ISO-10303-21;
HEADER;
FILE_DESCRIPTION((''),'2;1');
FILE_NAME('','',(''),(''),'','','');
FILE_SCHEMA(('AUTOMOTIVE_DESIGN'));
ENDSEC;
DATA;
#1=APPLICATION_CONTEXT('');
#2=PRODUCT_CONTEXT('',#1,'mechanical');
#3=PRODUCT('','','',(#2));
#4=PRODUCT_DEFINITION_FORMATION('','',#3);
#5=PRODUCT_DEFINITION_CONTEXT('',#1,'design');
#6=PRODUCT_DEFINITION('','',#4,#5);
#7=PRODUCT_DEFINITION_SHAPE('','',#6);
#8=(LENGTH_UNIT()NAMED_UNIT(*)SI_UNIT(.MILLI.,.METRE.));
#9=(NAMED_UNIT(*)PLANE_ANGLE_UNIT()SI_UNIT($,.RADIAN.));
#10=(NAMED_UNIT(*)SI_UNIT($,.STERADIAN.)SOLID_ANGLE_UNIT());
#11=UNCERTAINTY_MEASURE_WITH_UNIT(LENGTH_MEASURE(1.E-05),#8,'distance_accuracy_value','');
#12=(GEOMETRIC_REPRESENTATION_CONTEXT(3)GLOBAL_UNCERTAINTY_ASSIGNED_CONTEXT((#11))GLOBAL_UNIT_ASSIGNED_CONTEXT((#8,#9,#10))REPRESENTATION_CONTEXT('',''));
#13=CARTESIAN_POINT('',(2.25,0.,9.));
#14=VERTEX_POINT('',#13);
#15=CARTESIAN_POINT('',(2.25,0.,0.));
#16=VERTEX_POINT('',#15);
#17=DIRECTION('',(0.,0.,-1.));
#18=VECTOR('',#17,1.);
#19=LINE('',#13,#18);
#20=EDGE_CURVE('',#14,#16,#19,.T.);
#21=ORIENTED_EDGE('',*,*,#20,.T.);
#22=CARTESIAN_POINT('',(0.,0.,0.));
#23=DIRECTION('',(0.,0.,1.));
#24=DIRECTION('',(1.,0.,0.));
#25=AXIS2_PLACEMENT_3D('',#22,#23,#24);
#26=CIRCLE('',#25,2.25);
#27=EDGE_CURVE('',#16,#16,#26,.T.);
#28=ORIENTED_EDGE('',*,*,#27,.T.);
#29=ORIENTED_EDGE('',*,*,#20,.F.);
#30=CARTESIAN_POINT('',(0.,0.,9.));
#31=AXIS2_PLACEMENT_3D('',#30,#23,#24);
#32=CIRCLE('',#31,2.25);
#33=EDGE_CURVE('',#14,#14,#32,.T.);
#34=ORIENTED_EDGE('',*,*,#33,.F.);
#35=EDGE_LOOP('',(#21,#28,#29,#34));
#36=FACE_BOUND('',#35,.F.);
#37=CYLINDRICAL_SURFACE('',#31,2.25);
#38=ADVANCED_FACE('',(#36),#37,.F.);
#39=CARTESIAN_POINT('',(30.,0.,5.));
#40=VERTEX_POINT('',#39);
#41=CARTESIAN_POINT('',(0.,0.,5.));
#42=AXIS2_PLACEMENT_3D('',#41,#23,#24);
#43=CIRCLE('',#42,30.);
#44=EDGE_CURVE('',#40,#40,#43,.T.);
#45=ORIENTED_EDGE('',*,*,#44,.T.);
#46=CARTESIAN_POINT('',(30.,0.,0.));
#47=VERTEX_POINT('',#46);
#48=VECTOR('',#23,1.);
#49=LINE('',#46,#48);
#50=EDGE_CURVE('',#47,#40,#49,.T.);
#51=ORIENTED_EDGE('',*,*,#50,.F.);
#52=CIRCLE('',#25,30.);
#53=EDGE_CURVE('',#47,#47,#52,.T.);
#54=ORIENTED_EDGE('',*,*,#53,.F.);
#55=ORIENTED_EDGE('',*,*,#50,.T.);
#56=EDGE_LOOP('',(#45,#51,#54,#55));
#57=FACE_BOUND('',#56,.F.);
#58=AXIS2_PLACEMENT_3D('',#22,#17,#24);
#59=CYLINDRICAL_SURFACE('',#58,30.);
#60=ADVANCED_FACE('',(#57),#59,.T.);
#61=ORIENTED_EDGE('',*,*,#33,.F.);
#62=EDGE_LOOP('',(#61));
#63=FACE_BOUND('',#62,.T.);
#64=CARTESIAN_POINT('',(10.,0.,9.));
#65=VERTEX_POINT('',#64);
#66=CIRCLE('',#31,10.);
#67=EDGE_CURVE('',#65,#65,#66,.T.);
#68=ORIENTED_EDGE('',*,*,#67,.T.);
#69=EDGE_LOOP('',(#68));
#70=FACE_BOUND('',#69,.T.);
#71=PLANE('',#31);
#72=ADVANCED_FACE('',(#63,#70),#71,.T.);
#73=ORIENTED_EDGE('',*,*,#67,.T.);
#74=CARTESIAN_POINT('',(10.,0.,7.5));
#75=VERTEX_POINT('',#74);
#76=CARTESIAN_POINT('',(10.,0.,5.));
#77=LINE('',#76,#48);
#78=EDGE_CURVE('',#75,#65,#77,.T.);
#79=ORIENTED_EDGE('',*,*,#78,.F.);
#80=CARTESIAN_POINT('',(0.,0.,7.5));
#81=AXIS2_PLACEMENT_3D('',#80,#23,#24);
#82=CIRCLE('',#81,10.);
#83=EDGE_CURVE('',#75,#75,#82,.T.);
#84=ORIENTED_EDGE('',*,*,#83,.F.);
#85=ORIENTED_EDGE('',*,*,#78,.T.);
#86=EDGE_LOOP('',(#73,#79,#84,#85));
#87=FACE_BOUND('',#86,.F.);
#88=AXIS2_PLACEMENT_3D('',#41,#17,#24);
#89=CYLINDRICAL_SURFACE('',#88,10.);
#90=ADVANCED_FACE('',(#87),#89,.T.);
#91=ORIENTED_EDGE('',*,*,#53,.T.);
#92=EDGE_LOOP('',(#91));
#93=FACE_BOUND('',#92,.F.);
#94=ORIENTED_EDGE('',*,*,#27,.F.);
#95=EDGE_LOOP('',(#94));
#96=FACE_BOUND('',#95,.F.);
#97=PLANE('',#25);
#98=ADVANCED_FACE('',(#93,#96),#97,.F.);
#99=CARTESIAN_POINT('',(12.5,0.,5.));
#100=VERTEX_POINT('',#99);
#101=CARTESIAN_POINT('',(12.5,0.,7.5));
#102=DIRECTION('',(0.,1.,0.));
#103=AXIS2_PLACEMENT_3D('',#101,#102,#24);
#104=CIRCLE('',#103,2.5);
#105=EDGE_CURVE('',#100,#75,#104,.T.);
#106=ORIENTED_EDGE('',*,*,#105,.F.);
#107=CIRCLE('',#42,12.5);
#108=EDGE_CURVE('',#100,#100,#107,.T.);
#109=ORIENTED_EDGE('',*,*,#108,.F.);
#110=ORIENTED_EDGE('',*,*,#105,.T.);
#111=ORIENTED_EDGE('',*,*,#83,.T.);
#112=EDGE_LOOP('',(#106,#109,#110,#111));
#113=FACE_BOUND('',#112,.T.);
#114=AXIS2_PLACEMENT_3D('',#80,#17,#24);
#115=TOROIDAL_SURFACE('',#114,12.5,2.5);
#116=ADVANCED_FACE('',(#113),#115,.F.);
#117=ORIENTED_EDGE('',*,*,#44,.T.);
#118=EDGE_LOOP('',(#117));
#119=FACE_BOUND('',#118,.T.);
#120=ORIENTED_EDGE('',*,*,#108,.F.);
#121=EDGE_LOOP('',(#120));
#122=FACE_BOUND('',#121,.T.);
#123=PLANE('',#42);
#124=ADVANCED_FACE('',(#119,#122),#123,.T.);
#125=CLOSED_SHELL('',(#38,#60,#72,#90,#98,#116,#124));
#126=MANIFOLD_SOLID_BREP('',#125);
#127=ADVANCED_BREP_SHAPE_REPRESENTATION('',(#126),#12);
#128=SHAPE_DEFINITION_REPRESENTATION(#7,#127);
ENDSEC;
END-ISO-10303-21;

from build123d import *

# Parameters (mm, degrees)
SKETCH_R     = 30
PAD_DEPTH    = 5
SKETCH001_R  = 10
PAD001_DEPTH = 4
SKETCH002_R  = 2.25
POCKET_DEPTH = 9
FILLET_R     = 2.5


with BuildPart() as part:
    # Sketch → Pad (new body)
    with BuildSketch(Plane.XY):
        Circle(SKETCH_R)
    extrude(amount=PAD_DEPTH)

    # Sketch001 (on Face3 of Pad) → Pad001 (join)
    with BuildSketch(Plane.XY.offset(5)):
        Circle(SKETCH001_R)
    extrude(amount=PAD001_DEPTH)

    # Sketch002 (on Face5 of Pad001) → Pocket (cut)
    with BuildSketch(Plane.XY.offset(9)):
        Circle(SKETCH002_R)
    extrude(amount=-POCKET_DEPTH, mode=Mode.SUBTRACT)

    # Fillet
    fillet_edges = [part.edges().sort_by_distance(p)[0] for p in [
        (-10, 0, 5),
    ]]
    fillet(fillet_edges, radius=FILLET_R)


solid = part.part
